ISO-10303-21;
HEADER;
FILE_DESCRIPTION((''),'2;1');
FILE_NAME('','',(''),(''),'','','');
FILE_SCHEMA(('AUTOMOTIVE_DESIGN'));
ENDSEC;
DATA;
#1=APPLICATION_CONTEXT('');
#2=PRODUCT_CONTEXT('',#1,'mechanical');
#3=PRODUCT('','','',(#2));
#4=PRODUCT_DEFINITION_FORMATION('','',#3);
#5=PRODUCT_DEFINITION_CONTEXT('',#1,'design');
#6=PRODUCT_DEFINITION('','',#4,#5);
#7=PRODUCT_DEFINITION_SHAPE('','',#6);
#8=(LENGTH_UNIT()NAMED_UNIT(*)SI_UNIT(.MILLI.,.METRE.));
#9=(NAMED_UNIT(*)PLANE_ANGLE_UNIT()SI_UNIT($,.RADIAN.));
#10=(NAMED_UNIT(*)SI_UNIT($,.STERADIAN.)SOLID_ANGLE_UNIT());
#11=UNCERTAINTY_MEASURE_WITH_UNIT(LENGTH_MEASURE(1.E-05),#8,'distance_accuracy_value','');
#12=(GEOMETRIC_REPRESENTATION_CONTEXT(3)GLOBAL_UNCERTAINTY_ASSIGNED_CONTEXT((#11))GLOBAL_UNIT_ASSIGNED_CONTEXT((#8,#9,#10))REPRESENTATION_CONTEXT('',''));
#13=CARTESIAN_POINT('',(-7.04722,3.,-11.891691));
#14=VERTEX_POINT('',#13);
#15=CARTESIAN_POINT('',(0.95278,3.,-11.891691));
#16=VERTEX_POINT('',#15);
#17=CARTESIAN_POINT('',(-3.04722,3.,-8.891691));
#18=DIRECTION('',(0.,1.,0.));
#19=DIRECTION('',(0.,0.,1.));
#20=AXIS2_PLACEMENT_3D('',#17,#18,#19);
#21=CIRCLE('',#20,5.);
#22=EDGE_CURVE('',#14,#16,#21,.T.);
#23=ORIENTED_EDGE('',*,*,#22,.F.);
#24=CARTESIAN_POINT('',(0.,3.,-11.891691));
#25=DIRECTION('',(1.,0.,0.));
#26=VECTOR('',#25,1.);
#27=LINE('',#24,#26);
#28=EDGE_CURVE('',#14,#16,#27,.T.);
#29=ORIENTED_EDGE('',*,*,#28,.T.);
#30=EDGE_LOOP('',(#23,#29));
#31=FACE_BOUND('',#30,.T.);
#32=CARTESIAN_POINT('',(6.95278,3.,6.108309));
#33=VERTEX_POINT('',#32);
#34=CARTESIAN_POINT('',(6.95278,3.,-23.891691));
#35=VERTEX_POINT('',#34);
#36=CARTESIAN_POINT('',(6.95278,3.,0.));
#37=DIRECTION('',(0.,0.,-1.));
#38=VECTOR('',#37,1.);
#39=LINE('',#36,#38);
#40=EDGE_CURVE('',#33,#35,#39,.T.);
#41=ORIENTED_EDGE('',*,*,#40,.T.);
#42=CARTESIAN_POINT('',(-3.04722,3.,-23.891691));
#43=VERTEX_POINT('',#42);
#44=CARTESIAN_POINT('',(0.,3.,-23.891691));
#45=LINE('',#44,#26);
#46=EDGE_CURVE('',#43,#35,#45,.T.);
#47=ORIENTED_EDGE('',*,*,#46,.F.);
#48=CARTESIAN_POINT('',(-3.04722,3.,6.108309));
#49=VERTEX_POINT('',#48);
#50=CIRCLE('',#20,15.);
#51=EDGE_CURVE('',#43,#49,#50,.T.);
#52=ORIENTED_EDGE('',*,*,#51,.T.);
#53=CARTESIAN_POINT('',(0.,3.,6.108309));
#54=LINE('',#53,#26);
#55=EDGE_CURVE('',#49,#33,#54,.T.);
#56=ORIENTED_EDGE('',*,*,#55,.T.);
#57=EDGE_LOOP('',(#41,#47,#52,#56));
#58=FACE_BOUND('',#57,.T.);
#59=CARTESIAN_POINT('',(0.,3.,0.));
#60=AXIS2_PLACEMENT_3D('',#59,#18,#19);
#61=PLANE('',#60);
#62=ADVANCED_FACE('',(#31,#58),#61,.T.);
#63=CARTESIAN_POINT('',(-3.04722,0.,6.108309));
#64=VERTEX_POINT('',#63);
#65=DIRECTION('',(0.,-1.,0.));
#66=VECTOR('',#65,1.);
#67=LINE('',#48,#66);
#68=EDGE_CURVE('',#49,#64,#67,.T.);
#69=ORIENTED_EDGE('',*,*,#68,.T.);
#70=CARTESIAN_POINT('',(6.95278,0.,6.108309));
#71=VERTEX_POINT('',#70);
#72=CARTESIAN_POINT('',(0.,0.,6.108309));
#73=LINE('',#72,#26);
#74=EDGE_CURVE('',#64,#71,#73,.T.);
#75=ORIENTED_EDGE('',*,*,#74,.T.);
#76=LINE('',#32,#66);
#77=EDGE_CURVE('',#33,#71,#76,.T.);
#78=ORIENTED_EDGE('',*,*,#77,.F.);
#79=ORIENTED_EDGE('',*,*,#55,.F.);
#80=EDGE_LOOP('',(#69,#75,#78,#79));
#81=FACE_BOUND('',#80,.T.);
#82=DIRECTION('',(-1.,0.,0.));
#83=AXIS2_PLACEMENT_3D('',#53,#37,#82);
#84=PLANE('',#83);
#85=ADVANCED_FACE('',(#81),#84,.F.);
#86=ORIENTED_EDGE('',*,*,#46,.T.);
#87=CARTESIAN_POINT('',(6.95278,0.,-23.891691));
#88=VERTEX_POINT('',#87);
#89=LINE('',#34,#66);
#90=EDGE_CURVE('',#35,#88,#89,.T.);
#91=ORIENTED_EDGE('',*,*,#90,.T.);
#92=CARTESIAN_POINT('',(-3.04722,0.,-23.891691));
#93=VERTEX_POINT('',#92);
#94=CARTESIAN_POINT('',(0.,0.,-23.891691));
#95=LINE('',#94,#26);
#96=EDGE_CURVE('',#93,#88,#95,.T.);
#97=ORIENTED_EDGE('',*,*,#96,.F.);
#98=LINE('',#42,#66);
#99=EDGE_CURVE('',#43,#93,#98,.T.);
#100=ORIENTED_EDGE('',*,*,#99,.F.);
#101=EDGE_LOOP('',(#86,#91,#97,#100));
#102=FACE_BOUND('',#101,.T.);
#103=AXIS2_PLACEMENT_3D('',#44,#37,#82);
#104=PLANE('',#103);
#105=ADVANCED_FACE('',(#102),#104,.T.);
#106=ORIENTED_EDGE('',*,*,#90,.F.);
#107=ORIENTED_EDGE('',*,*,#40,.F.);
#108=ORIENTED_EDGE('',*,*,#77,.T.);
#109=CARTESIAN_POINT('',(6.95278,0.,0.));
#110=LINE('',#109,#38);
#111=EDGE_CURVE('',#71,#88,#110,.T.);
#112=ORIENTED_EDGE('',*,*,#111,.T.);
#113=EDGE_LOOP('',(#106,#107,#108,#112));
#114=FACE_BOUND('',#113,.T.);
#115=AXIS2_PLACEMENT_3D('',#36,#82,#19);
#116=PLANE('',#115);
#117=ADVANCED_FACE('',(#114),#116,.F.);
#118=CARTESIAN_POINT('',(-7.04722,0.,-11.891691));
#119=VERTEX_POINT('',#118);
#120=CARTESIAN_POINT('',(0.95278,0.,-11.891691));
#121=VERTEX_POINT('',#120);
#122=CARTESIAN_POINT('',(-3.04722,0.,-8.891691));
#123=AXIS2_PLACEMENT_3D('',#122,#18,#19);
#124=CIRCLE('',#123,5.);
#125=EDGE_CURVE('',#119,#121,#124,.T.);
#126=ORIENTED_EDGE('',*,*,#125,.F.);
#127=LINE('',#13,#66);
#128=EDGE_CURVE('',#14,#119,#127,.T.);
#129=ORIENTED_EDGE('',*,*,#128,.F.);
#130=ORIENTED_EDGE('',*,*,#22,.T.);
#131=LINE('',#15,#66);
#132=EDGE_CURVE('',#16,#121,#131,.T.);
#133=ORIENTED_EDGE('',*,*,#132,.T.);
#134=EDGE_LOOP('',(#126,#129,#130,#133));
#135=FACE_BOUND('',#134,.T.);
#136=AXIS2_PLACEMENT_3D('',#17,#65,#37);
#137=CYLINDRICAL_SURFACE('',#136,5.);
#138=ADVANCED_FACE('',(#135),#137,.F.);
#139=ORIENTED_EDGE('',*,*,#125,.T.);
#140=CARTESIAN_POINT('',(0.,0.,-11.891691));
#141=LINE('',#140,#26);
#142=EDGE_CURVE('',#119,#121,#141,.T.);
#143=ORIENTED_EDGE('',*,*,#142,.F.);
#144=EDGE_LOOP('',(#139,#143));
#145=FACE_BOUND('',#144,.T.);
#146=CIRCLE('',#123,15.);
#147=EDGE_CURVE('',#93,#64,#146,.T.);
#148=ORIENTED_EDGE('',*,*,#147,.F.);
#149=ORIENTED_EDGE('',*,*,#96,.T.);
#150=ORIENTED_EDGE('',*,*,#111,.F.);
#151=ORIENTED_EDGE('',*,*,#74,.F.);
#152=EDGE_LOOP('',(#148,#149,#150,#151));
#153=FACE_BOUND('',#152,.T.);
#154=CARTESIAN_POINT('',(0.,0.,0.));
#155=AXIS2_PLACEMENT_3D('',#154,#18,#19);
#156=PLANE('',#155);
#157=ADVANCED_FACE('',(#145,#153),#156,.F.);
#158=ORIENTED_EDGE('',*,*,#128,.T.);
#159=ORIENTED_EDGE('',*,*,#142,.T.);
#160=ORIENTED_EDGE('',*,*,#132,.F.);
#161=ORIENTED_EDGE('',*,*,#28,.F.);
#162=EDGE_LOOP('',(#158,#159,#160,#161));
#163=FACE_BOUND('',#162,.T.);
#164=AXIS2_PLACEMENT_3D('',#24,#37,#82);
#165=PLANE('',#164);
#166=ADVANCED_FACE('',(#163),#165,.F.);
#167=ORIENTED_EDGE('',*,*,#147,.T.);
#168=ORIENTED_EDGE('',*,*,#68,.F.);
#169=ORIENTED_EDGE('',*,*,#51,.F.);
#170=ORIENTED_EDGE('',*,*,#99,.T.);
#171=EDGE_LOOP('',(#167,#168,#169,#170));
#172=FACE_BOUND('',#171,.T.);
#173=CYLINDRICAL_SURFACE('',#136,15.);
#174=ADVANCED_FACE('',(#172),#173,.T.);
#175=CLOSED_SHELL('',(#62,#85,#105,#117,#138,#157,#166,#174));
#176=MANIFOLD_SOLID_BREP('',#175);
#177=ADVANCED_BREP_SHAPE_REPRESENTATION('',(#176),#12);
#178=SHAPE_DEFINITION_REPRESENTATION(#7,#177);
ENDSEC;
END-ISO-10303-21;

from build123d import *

# Parameters (mm, degrees)
BOSS_EXTRUDE3_DEPTH = 3


with BuildPart() as part:
    # Sketch4 → Boss-Extrude3 (new body)
    with BuildSketch(Plane(origin=(0, 0, 0), x_dir=(1, 0, 0), z_dir=(0, 1, 0))):
        with BuildLine():
            ThreePointArc((-3.047220201, 23.891690771), (-18.047220201, 8.891690771), (-3.047220201, -6.108309229))
            Line((-3.047220201, -6.108309229), (6.952779799, -6.108309229))
            Line((6.952779799, -6.108309229), (6.952779799, 23.891690771))
            Line((6.952779799, 23.891690771), (-3.047220201, 23.891690771))
        make_face()
        with BuildLine():
            Line((-7.047220201, 11.891690771), (0.952779799, 11.891690771))
            ThreePointArc((0.952779799, 11.891690771), (-3.047220201, 3.891690771), (-7.047220201, 11.891690771))
        make_face(mode=Mode.SUBTRACT)
    extrude(amount=BOSS_EXTRUDE3_DEPTH)


solid = part.part
